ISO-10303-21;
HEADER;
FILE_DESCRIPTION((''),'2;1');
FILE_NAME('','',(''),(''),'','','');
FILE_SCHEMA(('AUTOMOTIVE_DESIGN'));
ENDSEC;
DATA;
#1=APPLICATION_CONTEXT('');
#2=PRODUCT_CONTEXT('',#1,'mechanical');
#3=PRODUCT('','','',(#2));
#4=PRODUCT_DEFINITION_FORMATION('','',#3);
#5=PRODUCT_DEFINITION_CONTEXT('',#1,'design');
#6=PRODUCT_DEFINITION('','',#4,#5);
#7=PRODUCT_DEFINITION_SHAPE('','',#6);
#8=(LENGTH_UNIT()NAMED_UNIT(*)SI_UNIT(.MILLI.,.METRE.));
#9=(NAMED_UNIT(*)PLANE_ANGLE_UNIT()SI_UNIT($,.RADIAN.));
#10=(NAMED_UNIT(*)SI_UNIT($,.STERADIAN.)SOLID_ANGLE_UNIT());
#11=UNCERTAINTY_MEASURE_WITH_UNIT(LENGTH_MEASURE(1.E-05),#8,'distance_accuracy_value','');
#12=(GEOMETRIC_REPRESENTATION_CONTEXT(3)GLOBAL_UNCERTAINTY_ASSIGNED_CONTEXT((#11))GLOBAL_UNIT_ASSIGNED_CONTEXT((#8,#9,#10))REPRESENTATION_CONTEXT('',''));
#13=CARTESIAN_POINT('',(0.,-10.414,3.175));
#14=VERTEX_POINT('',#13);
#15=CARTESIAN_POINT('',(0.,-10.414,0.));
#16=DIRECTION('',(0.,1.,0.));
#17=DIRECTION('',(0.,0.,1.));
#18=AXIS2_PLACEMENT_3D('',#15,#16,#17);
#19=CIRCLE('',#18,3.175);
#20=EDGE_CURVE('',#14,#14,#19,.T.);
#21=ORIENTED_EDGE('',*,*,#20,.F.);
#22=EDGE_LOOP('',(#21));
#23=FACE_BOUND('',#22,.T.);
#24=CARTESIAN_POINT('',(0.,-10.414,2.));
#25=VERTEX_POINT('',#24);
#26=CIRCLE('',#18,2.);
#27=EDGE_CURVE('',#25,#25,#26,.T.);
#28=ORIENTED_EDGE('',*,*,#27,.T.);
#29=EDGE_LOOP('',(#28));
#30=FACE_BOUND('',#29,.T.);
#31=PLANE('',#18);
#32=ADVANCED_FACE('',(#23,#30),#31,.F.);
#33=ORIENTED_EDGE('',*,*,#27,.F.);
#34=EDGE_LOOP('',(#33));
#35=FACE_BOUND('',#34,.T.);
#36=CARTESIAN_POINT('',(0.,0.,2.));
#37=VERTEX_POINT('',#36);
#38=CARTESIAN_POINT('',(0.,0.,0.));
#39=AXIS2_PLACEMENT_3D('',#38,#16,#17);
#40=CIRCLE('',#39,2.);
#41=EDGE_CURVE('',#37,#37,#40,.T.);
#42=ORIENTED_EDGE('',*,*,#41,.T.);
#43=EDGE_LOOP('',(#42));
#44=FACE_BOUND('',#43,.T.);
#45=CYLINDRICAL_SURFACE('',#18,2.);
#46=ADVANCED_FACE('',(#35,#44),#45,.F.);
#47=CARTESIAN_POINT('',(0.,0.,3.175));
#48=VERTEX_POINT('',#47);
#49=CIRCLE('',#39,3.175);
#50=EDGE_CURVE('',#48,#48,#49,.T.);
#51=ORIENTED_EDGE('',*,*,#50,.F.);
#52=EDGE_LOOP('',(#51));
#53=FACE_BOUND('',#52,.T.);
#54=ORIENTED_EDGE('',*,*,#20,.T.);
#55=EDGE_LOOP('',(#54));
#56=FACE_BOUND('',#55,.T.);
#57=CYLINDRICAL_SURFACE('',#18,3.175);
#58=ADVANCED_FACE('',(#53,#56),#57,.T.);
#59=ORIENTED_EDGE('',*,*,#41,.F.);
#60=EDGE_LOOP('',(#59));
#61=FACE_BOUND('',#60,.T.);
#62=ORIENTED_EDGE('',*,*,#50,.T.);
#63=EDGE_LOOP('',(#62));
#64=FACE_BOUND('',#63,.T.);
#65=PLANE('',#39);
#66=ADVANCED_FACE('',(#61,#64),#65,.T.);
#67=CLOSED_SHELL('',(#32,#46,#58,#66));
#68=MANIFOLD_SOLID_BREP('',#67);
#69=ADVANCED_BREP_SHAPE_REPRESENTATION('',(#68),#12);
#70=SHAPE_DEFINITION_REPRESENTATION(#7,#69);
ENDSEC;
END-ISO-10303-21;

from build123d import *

# Parameters (mm, degrees)
SKETCH2_R           = 3.175
SKETCH2_R_2         = 2
BOSS_EXTRUDE1_DEPTH = 10.414


with BuildPart() as part:
    # Sketch2 → Boss-Extrude1 (new body)
    with BuildSketch(Plane(origin=(0, 0, 0), x_dir=(1, 0, 0), z_dir=(0, 1, 0))):
        with Locations(Location((0, 0, 0), (0, 0, 270))):
            Circle(SKETCH2_R)
        with Locations(Location((0, 0, 0), (0, 0, 270))):
            Circle(SKETCH2_R_2, mode=Mode.SUBTRACT)
    extrude(amount=-BOSS_EXTRUDE1_DEPTH)


solid = part.part
